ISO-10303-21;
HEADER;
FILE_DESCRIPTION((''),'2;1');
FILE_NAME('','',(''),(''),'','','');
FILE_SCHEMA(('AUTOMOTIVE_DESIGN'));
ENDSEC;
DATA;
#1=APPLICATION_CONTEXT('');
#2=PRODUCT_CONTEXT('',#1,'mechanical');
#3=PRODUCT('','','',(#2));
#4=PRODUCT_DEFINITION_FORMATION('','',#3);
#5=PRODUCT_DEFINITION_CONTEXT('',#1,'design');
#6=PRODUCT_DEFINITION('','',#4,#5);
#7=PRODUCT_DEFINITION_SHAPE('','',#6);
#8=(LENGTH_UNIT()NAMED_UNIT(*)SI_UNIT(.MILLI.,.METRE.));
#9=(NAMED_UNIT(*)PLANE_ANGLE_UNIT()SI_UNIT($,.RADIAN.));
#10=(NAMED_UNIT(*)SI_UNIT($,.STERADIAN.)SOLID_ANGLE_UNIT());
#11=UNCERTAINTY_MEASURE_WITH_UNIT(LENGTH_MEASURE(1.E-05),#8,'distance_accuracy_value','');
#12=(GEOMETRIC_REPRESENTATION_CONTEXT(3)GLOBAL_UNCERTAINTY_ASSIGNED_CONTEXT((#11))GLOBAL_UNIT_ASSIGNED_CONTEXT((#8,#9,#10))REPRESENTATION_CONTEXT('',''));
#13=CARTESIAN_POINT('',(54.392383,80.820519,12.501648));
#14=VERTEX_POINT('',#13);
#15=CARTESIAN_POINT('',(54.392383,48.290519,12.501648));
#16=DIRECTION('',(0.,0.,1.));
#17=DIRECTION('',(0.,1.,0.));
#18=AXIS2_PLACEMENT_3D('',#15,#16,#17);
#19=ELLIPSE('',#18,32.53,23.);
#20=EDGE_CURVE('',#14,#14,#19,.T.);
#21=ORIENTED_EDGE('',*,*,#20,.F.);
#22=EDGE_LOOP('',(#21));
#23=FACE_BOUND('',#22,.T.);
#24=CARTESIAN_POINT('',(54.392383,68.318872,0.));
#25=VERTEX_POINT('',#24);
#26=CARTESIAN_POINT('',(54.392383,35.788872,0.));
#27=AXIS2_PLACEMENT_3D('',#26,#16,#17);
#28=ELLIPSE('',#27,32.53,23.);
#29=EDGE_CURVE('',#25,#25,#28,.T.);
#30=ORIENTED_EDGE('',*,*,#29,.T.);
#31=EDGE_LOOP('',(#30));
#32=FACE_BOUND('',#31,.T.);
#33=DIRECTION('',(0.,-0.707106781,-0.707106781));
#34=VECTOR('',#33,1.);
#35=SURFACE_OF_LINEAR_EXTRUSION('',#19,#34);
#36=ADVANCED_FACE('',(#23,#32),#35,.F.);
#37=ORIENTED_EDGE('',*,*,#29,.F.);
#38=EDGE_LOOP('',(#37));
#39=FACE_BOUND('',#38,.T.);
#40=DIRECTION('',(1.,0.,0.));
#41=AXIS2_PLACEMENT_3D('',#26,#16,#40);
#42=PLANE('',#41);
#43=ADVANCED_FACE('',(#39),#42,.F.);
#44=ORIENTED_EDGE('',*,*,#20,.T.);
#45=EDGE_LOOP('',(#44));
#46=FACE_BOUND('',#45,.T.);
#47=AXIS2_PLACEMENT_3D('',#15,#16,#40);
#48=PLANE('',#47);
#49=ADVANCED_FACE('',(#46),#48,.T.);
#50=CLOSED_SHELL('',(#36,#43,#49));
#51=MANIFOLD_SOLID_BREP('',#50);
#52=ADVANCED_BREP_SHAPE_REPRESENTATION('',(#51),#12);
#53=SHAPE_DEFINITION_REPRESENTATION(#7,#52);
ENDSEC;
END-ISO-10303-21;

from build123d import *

# Parameters (mm, degrees)
SKETCH_1_RX     = 32.53
SKETCH_1_RY     = 23
EXTRUDE_2_DEPTH = 17.68


with BuildPart() as part:
    # 草图1 → 凸台-拉伸2 (new body, along a direction that is not the sketch's normal)
    with BuildSketch(Plane.XY):
        with Locations(Location((54.392382982, 35.78887153), (0, 0, 90))):
            Ellipse(SKETCH_1_RX, SKETCH_1_RY)
    extrude(amount=EXTRUDE_2_DEPTH, dir=(0, 0.707106781, 0.707106781))


solid = part.part
